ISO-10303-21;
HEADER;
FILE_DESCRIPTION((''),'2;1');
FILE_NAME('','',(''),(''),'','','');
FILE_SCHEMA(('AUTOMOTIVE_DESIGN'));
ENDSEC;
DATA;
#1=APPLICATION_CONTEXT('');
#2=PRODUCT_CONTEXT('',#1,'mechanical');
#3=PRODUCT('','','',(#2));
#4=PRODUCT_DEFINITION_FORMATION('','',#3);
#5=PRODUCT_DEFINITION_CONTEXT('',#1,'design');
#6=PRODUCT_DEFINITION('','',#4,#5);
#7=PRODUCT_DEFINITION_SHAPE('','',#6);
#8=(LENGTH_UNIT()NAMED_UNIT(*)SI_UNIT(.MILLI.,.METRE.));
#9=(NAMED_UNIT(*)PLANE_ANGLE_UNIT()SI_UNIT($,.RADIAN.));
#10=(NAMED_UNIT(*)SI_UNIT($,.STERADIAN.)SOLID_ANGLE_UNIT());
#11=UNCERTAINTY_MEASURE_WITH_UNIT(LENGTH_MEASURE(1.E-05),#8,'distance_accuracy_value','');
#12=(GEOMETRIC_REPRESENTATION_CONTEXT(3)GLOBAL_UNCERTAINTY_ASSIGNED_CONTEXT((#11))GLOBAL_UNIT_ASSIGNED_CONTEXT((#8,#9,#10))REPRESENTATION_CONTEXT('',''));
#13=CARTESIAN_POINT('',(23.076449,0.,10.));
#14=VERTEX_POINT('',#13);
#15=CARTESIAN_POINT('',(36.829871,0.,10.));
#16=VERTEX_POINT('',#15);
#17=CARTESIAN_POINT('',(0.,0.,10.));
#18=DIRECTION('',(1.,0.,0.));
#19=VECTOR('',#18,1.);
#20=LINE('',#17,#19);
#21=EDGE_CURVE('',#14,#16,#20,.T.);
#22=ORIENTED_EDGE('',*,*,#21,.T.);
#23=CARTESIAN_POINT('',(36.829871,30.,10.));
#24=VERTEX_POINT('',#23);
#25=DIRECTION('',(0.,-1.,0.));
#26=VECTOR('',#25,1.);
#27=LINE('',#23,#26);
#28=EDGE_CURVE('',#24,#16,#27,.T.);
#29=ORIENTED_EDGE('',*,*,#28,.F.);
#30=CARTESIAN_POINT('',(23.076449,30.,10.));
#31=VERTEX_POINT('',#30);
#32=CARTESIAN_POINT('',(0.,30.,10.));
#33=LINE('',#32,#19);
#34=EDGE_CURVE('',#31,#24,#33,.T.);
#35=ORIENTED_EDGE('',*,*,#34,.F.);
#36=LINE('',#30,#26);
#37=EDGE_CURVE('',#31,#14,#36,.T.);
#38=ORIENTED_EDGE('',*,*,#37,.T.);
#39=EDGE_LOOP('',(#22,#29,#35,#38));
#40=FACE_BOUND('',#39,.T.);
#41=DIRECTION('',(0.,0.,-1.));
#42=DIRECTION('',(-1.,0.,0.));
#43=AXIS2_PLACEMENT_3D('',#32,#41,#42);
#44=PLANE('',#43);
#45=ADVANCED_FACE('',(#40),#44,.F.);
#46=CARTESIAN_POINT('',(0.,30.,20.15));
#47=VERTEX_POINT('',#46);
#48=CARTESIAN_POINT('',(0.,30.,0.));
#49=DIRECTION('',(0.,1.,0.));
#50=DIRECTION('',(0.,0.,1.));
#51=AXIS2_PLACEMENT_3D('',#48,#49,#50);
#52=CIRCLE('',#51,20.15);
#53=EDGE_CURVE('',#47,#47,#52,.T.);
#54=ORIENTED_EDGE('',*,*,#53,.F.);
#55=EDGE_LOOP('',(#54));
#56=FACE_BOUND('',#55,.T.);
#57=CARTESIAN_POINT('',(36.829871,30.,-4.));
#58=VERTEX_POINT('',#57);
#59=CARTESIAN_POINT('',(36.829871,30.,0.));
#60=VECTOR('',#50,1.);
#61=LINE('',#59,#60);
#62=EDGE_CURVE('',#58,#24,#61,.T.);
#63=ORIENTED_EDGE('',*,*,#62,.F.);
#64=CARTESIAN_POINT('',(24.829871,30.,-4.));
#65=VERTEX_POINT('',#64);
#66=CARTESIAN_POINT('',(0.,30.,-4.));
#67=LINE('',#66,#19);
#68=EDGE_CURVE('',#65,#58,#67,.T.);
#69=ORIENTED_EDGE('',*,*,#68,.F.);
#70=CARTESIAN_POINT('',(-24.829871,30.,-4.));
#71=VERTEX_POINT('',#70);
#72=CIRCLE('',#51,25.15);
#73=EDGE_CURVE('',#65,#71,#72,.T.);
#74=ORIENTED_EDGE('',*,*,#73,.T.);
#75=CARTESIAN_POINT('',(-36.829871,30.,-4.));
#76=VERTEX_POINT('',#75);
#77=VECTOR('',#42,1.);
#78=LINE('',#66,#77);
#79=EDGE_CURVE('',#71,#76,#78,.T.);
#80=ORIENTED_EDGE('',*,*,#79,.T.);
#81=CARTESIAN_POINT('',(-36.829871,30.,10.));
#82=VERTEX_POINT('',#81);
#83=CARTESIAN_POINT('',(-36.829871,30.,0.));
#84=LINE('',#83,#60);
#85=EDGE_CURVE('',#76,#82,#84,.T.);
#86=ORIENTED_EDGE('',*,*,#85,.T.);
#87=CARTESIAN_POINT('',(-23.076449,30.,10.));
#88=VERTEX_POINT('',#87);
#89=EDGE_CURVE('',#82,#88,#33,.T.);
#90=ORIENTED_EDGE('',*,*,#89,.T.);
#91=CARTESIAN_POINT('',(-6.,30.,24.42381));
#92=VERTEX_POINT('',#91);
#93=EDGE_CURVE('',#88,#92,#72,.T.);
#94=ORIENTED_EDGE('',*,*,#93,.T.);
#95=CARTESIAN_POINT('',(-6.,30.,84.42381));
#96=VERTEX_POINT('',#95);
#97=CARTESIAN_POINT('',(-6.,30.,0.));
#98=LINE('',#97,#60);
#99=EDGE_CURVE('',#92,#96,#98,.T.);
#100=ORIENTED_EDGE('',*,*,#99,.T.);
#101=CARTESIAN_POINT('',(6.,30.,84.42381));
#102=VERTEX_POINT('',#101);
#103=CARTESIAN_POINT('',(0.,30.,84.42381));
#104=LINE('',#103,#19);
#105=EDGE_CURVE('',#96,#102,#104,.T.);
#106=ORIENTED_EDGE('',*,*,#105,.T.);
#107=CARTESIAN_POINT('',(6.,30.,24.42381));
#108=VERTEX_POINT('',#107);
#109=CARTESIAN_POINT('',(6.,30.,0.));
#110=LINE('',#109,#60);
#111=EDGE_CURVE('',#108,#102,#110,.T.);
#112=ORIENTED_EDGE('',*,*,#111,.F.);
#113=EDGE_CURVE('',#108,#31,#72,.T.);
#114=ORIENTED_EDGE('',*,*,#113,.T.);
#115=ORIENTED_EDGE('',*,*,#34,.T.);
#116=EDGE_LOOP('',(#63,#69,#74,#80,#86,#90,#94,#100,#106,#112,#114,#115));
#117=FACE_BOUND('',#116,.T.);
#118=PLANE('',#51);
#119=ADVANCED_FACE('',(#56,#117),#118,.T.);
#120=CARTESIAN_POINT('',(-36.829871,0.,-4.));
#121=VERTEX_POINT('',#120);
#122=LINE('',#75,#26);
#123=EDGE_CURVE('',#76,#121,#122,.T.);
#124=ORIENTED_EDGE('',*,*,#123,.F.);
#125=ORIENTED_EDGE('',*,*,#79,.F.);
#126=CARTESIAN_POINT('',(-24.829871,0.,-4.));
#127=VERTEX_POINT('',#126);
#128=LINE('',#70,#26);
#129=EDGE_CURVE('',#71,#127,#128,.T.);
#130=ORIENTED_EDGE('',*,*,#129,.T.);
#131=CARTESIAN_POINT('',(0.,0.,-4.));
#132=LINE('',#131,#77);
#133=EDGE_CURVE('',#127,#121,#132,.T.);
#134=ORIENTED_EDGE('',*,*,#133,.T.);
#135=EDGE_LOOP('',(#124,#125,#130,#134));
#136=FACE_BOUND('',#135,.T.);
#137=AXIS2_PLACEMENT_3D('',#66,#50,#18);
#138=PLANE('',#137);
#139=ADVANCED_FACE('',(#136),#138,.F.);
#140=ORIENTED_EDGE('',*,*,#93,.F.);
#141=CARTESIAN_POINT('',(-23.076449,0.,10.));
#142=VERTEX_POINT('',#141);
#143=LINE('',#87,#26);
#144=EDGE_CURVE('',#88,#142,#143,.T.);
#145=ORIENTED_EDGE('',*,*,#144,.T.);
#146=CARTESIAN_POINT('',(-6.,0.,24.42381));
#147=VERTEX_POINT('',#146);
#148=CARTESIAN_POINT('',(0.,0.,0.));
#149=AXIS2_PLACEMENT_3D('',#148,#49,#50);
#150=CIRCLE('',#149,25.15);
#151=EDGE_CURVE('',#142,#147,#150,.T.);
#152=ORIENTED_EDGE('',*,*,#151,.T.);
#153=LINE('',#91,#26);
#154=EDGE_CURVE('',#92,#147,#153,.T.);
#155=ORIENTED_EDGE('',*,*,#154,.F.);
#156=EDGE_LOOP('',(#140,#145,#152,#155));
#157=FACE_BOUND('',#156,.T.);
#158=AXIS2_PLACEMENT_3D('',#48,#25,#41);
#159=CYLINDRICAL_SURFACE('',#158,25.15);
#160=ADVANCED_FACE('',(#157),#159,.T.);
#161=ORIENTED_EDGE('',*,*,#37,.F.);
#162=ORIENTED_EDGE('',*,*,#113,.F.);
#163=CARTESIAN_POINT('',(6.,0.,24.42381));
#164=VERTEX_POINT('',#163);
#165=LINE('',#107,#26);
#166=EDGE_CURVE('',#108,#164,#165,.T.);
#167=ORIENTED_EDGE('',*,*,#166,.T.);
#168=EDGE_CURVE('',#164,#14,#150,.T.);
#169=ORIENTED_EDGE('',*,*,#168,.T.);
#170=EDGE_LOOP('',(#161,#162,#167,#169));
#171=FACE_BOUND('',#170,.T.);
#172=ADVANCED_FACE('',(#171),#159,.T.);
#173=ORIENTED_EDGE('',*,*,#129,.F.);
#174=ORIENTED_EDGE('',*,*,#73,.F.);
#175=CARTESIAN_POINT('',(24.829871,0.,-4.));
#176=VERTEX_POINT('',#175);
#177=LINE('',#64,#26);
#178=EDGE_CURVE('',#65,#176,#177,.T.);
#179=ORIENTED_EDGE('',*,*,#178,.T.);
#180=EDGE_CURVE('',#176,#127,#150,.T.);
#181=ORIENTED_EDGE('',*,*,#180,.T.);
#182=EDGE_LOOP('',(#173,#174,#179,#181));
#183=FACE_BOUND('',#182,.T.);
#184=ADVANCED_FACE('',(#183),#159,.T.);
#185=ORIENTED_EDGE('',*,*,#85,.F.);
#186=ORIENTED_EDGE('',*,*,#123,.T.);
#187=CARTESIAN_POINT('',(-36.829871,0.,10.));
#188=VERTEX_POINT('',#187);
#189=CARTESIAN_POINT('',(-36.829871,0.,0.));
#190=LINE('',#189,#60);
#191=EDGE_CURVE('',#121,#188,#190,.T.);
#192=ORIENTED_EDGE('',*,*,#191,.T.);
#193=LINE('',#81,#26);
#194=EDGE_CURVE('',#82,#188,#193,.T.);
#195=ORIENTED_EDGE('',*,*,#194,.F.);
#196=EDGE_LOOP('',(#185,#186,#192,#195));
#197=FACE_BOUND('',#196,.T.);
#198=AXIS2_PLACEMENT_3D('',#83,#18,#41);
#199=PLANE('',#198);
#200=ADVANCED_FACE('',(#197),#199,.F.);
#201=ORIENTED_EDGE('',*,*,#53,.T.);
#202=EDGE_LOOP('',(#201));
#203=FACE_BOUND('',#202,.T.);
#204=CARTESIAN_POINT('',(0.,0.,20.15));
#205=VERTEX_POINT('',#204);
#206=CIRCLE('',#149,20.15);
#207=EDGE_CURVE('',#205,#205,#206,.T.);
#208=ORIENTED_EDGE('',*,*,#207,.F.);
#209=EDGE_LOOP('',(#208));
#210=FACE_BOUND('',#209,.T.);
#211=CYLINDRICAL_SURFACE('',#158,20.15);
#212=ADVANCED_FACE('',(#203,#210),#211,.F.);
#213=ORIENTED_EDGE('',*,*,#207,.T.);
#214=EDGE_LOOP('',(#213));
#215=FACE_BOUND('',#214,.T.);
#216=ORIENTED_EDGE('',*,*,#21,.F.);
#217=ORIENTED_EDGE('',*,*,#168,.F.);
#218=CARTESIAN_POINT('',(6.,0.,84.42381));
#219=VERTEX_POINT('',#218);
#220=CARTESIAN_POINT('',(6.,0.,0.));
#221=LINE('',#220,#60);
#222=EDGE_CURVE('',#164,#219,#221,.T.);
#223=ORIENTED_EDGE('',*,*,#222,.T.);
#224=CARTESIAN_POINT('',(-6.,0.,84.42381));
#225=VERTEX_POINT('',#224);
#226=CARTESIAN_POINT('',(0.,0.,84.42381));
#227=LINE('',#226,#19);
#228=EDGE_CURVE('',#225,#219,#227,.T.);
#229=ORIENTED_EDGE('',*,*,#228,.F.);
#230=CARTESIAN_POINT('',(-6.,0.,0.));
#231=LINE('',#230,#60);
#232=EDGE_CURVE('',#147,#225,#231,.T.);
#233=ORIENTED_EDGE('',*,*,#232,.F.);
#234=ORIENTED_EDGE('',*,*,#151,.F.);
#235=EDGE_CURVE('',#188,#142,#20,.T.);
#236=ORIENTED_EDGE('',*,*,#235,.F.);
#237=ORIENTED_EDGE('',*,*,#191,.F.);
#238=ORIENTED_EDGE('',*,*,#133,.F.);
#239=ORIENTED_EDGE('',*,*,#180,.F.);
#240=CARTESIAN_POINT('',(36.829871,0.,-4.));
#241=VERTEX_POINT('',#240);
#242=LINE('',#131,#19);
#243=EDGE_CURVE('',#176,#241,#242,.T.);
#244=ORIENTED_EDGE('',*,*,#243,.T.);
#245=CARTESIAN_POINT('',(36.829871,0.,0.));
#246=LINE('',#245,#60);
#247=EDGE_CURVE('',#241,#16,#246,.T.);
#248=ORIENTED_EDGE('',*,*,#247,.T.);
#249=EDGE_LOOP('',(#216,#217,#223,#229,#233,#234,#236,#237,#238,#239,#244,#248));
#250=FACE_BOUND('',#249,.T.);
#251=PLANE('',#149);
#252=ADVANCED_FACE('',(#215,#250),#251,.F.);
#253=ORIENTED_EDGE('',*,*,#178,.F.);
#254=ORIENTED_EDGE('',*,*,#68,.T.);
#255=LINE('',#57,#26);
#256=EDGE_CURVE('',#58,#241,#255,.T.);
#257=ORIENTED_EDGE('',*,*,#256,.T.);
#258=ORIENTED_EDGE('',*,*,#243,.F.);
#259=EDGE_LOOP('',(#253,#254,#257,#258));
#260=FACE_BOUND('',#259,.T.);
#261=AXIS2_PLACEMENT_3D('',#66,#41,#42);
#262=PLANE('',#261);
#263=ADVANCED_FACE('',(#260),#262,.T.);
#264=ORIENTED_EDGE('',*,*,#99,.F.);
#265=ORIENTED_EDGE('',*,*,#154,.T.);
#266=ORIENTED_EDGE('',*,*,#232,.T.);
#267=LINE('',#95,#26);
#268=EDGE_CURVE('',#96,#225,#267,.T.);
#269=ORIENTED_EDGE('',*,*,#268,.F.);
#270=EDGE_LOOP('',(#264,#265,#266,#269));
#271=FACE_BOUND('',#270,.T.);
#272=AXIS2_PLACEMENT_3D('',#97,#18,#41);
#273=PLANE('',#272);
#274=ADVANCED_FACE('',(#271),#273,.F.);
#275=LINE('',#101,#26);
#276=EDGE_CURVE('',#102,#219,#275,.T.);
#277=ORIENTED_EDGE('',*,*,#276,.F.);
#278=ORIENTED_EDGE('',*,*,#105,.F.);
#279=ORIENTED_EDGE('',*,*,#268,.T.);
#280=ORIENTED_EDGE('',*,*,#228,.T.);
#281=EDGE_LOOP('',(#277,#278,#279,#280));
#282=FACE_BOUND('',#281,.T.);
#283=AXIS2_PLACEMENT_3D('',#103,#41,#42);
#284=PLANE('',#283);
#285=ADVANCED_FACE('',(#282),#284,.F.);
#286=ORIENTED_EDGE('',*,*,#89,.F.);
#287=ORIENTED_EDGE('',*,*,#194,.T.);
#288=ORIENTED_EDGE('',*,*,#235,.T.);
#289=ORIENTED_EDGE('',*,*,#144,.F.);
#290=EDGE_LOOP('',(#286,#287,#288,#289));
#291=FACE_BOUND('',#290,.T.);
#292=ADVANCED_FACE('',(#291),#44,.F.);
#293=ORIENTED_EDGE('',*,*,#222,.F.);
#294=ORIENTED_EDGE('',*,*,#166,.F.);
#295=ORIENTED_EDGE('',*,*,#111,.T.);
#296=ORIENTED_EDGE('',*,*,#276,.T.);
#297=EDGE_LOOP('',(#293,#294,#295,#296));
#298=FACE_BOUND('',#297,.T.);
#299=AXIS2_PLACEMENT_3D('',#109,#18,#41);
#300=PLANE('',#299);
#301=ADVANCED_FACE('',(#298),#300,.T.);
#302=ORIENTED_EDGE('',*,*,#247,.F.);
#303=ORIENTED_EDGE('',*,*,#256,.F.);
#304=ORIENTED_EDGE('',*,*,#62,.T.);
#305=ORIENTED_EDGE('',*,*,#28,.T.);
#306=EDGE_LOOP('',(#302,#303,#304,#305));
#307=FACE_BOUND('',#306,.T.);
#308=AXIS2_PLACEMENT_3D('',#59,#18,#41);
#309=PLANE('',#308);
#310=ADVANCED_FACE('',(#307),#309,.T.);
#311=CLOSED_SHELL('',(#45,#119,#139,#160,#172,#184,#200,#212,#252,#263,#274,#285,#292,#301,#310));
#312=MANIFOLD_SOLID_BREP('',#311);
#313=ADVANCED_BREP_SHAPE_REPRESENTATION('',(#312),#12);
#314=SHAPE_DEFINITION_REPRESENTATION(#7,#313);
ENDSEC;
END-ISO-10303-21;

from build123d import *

# Parameters (mm, degrees)
SKETCH2_R           = 20.15
BOSS_EXTRUDE1_DEPTH = 30


with BuildPart() as part:
    # Sketch2 → Boss-Extrude1 (new body)
    with BuildSketch(Plane(origin=(0, 0, 0), x_dir=(1, 0, 0), z_dir=(0, 1, 0))):
        with BuildLine():
            Line((36.829871123, -10), (36.829871123, 4))
            Line((36.829871123, 4), (24.829871123, 4))
            ThreePointArc((24.829871123, 4), (0, 25.15), (-24.829871123, 4))
            Line((-24.829871123, 4), (-36.829871123, 4))
            Line((-36.829871123, 4), (-36.829871123, -10))
            Line((-36.829871123, -10), (-23.076449034, -10))
            ThreePointArc((-23.076449034, -10), (-16.228725969, -19.213301471), (-6, -24.423810104))
            Line((-6, -24.423810104), (-6, -84.423810104))
            Line((-6, -84.423810104), (6, -84.423810104))
            Line((6, -84.423810104), (6, -24.423810104))
            ThreePointArc((6, -24.423810104), (16.228725969, -19.213301471), (23.076449034, -10))
            Line((23.076449034, -10), (36.829871123, -10))
        make_face()
        with Locations(Location((0, 0, 0), (0, 0, 270))):
            Circle(SKETCH2_R, mode=Mode.SUBTRACT)
    extrude(amount=BOSS_EXTRUDE1_DEPTH)


solid = part.part
